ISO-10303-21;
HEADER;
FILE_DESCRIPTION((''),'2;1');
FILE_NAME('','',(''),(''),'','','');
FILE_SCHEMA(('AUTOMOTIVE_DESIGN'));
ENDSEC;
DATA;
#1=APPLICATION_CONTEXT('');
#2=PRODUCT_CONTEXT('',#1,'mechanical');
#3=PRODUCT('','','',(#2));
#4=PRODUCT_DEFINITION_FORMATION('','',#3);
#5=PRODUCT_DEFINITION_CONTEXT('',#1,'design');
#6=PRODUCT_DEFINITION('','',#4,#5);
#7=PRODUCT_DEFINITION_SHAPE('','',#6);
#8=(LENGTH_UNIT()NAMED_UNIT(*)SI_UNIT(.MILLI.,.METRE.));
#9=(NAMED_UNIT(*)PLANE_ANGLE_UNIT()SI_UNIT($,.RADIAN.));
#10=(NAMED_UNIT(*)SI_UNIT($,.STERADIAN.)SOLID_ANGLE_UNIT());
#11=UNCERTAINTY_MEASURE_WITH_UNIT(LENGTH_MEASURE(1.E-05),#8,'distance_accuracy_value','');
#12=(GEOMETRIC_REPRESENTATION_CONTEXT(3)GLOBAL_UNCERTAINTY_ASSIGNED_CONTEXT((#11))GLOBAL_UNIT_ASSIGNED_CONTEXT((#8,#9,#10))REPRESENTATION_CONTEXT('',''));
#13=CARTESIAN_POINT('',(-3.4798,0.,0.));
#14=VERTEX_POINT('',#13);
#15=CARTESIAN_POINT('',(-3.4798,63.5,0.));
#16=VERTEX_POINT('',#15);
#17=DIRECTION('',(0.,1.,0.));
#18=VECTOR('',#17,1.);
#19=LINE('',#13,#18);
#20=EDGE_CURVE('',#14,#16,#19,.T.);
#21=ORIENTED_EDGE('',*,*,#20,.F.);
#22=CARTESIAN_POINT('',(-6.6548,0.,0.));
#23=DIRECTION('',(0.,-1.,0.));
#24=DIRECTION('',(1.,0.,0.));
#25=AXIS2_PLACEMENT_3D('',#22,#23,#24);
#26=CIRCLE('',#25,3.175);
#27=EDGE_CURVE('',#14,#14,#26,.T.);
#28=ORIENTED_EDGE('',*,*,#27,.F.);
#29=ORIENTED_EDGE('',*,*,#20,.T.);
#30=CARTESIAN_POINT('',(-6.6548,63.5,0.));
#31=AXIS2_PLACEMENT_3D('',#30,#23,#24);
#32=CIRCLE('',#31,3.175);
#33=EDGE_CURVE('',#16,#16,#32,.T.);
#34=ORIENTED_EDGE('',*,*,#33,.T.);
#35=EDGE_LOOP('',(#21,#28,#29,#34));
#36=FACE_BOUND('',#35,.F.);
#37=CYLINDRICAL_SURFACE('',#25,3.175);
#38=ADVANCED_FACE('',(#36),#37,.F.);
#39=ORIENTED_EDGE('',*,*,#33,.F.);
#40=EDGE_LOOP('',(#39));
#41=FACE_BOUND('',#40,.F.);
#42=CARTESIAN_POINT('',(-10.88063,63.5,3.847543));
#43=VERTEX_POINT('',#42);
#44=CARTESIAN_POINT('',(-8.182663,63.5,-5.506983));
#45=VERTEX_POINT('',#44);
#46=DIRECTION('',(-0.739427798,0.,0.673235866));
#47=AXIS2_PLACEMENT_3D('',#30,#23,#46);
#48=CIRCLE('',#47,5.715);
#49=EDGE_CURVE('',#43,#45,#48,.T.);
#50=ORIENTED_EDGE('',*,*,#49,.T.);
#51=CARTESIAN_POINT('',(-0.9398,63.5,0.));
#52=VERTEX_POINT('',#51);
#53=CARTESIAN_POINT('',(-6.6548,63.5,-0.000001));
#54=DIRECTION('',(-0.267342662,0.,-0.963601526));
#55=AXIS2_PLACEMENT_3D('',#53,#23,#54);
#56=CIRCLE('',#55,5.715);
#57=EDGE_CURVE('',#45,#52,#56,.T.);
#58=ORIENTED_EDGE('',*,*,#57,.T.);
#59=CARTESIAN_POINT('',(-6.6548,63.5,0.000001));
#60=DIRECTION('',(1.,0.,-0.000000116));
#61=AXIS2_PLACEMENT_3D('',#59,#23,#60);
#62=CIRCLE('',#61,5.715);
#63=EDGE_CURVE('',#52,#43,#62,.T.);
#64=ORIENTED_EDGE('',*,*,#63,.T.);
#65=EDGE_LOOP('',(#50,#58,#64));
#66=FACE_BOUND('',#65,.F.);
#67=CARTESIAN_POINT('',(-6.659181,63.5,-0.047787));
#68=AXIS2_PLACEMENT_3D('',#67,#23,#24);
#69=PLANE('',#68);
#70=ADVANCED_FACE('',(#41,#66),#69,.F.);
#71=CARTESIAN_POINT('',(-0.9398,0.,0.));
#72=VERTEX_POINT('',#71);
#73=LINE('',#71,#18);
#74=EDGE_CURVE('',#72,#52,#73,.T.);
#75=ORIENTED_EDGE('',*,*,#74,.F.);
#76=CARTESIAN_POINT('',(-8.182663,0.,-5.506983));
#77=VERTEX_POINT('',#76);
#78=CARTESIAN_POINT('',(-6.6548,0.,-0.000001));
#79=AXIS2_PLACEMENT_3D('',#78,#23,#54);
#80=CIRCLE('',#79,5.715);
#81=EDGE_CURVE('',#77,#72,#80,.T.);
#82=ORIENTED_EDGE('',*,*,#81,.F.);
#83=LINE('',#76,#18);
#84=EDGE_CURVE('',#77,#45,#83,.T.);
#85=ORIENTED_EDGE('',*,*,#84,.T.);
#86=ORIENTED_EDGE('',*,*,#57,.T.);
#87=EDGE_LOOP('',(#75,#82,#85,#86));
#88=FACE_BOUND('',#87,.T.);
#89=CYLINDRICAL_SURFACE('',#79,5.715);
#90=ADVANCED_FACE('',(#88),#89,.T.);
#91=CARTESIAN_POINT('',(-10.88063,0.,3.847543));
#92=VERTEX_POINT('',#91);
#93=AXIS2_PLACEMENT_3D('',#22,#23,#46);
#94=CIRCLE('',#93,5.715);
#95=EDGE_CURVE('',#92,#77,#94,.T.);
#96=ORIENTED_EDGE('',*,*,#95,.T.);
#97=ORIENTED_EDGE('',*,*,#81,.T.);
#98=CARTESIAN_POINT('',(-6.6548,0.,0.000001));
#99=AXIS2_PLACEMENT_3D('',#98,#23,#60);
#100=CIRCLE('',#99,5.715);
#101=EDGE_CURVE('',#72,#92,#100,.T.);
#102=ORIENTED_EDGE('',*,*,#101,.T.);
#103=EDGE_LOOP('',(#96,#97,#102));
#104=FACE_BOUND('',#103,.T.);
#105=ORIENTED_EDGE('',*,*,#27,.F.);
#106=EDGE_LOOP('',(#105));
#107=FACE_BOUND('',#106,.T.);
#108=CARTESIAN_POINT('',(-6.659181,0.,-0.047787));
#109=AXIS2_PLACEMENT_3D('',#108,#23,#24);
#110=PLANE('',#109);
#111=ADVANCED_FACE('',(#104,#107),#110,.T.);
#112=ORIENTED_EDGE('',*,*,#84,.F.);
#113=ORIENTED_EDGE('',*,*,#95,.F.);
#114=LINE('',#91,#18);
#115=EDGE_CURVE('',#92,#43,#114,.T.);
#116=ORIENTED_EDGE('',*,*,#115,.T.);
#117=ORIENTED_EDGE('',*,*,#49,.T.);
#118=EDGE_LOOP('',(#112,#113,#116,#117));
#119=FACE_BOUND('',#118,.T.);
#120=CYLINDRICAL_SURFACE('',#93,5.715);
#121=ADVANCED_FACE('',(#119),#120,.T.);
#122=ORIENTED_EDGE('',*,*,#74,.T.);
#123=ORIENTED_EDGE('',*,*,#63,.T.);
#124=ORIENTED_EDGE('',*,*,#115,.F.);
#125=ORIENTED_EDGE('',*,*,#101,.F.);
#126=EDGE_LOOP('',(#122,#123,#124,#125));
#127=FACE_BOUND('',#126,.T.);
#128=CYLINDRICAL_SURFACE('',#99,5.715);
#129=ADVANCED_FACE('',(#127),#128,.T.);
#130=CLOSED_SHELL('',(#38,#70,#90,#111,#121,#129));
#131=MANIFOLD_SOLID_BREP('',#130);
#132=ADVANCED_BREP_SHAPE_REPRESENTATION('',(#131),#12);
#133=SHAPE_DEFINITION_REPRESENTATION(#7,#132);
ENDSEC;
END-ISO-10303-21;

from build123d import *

# Parameters (mm, degrees)
F0_R     = 3.175
F1_DEPTH = 63.5


with BuildPart() as f1:
    # F0 (on Front) → F1 (new body)
    with BuildSketch(Plane.XZ):
        with BuildLine():
            ThreePointArc((-8.182663, -5.506983), (-3.195791, -4.549339), (-0.9398, 0))
            ThreePointArc((-0.9398, 0), (-4.591961, 5.329721), (-10.88063, 3.847543))
            ThreePointArc((-10.88063, 3.847543), (-12.145978, -1.583727), (-8.182663, -5.506983))
        make_face()
        with Locations((-6.6548, 0)):
            Circle(F0_R, mode=Mode.SUBTRACT)
    extrude(amount=-F1_DEPTH)


solid = f1.part
